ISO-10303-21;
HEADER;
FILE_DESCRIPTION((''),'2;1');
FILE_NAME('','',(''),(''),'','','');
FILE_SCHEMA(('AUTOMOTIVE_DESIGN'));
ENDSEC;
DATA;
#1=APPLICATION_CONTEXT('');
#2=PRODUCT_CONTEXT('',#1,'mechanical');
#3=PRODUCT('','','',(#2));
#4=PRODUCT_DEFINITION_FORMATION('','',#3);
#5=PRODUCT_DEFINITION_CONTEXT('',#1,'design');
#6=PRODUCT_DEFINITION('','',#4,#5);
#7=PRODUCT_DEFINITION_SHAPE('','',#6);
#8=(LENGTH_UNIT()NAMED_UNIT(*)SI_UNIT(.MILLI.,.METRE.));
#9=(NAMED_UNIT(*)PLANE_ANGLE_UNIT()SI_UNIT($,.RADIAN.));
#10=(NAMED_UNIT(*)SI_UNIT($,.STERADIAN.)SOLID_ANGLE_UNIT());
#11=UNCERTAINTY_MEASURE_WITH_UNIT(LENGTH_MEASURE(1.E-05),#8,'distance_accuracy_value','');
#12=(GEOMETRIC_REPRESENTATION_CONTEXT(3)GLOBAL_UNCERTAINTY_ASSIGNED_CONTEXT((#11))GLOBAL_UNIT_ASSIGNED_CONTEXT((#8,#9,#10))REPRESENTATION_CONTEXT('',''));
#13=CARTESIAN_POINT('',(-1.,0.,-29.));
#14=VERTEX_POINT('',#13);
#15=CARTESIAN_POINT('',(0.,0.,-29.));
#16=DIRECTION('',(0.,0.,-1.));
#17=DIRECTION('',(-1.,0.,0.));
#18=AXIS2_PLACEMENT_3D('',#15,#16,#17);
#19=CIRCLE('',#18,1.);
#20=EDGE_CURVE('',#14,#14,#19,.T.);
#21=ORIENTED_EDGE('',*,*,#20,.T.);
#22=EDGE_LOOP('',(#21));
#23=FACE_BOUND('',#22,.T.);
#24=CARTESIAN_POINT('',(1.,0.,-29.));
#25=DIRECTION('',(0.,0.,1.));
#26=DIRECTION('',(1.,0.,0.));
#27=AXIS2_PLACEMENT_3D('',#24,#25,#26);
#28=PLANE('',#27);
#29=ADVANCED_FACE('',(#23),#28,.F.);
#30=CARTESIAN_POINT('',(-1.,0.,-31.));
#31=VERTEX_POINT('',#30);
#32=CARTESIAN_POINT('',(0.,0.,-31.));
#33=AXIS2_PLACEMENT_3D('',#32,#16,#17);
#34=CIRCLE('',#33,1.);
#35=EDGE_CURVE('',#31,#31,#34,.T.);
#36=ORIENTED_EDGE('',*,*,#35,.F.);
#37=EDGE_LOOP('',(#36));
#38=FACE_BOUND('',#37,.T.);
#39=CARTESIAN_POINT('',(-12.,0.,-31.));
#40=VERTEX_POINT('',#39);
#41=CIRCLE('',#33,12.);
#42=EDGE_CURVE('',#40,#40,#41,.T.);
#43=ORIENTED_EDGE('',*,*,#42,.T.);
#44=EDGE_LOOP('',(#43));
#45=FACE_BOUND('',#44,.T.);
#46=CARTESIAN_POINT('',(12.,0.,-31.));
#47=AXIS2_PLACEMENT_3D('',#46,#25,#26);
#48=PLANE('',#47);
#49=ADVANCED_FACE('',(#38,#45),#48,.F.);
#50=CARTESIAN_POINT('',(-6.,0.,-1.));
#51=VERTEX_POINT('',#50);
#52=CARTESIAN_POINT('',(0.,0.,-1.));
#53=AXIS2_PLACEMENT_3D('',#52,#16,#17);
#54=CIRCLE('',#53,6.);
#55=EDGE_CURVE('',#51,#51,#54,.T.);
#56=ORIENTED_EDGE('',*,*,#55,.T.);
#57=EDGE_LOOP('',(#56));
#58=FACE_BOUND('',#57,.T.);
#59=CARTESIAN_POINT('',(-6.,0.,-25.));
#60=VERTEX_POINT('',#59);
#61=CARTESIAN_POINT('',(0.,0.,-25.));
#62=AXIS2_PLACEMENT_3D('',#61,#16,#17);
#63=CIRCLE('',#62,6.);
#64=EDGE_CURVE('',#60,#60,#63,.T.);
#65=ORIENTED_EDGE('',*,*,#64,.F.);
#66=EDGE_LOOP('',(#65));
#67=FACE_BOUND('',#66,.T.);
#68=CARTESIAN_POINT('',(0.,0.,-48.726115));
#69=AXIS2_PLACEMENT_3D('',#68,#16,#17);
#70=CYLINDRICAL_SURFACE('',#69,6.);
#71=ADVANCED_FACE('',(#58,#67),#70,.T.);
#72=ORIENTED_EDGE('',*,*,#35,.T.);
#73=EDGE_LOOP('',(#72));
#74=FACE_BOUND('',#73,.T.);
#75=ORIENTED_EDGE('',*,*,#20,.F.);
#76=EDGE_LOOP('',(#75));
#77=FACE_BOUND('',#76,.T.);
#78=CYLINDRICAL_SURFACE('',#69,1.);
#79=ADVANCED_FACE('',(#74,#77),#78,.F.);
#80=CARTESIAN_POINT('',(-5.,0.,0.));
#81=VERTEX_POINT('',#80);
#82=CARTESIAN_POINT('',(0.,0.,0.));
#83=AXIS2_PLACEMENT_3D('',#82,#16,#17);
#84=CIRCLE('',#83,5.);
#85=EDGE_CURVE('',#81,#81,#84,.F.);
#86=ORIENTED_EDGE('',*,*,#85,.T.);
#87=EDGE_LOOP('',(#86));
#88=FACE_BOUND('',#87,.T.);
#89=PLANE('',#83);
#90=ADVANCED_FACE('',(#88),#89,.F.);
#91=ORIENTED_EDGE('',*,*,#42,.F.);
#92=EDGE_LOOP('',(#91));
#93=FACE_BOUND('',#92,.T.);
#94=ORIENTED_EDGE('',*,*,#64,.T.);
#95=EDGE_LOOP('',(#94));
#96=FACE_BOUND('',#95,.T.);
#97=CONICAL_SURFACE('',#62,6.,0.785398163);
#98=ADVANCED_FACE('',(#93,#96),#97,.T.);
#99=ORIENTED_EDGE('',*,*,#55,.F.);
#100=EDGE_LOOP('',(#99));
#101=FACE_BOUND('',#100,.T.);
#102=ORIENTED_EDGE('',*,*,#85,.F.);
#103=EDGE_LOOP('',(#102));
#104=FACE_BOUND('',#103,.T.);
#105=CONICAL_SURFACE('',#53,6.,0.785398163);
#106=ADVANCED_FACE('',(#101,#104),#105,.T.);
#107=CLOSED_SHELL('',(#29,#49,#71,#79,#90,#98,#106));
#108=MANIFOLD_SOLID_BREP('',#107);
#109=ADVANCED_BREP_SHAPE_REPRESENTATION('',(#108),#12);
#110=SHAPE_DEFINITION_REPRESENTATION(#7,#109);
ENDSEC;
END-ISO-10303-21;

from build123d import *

# Parameters (mm, degrees)
CHAMFER1_SIZE = 1


with BuildPart() as part:
    # Sketch1 → Revolve1 (revolve)
    with BuildSketch(Plane(origin=(0, 0, 0), x_dir=(1, 0, 0), z_dir=(0, 1, 0)), mode=Mode.PRIVATE) as revolve1_sk:
        Polygon((6, 0), (6, 25), (12, 31), (1, 31), (1, 29), (0, 29), (0, 0), align=None)
    revolve(revolve1_sk.sketch.rotate(Axis((0, 0, -48.72611465), (0, 0, 1)), 180), axis=Axis((0, 0, -48.72611465), (0, 0, 1)))

    # Chamfer1
    chamfer1_edges = [part.edges().sort_by_distance(p)[0] for p in [
        (6, 0, 0),
    ]]
    chamfer(chamfer1_edges, length=CHAMFER1_SIZE)


solid = part.part
